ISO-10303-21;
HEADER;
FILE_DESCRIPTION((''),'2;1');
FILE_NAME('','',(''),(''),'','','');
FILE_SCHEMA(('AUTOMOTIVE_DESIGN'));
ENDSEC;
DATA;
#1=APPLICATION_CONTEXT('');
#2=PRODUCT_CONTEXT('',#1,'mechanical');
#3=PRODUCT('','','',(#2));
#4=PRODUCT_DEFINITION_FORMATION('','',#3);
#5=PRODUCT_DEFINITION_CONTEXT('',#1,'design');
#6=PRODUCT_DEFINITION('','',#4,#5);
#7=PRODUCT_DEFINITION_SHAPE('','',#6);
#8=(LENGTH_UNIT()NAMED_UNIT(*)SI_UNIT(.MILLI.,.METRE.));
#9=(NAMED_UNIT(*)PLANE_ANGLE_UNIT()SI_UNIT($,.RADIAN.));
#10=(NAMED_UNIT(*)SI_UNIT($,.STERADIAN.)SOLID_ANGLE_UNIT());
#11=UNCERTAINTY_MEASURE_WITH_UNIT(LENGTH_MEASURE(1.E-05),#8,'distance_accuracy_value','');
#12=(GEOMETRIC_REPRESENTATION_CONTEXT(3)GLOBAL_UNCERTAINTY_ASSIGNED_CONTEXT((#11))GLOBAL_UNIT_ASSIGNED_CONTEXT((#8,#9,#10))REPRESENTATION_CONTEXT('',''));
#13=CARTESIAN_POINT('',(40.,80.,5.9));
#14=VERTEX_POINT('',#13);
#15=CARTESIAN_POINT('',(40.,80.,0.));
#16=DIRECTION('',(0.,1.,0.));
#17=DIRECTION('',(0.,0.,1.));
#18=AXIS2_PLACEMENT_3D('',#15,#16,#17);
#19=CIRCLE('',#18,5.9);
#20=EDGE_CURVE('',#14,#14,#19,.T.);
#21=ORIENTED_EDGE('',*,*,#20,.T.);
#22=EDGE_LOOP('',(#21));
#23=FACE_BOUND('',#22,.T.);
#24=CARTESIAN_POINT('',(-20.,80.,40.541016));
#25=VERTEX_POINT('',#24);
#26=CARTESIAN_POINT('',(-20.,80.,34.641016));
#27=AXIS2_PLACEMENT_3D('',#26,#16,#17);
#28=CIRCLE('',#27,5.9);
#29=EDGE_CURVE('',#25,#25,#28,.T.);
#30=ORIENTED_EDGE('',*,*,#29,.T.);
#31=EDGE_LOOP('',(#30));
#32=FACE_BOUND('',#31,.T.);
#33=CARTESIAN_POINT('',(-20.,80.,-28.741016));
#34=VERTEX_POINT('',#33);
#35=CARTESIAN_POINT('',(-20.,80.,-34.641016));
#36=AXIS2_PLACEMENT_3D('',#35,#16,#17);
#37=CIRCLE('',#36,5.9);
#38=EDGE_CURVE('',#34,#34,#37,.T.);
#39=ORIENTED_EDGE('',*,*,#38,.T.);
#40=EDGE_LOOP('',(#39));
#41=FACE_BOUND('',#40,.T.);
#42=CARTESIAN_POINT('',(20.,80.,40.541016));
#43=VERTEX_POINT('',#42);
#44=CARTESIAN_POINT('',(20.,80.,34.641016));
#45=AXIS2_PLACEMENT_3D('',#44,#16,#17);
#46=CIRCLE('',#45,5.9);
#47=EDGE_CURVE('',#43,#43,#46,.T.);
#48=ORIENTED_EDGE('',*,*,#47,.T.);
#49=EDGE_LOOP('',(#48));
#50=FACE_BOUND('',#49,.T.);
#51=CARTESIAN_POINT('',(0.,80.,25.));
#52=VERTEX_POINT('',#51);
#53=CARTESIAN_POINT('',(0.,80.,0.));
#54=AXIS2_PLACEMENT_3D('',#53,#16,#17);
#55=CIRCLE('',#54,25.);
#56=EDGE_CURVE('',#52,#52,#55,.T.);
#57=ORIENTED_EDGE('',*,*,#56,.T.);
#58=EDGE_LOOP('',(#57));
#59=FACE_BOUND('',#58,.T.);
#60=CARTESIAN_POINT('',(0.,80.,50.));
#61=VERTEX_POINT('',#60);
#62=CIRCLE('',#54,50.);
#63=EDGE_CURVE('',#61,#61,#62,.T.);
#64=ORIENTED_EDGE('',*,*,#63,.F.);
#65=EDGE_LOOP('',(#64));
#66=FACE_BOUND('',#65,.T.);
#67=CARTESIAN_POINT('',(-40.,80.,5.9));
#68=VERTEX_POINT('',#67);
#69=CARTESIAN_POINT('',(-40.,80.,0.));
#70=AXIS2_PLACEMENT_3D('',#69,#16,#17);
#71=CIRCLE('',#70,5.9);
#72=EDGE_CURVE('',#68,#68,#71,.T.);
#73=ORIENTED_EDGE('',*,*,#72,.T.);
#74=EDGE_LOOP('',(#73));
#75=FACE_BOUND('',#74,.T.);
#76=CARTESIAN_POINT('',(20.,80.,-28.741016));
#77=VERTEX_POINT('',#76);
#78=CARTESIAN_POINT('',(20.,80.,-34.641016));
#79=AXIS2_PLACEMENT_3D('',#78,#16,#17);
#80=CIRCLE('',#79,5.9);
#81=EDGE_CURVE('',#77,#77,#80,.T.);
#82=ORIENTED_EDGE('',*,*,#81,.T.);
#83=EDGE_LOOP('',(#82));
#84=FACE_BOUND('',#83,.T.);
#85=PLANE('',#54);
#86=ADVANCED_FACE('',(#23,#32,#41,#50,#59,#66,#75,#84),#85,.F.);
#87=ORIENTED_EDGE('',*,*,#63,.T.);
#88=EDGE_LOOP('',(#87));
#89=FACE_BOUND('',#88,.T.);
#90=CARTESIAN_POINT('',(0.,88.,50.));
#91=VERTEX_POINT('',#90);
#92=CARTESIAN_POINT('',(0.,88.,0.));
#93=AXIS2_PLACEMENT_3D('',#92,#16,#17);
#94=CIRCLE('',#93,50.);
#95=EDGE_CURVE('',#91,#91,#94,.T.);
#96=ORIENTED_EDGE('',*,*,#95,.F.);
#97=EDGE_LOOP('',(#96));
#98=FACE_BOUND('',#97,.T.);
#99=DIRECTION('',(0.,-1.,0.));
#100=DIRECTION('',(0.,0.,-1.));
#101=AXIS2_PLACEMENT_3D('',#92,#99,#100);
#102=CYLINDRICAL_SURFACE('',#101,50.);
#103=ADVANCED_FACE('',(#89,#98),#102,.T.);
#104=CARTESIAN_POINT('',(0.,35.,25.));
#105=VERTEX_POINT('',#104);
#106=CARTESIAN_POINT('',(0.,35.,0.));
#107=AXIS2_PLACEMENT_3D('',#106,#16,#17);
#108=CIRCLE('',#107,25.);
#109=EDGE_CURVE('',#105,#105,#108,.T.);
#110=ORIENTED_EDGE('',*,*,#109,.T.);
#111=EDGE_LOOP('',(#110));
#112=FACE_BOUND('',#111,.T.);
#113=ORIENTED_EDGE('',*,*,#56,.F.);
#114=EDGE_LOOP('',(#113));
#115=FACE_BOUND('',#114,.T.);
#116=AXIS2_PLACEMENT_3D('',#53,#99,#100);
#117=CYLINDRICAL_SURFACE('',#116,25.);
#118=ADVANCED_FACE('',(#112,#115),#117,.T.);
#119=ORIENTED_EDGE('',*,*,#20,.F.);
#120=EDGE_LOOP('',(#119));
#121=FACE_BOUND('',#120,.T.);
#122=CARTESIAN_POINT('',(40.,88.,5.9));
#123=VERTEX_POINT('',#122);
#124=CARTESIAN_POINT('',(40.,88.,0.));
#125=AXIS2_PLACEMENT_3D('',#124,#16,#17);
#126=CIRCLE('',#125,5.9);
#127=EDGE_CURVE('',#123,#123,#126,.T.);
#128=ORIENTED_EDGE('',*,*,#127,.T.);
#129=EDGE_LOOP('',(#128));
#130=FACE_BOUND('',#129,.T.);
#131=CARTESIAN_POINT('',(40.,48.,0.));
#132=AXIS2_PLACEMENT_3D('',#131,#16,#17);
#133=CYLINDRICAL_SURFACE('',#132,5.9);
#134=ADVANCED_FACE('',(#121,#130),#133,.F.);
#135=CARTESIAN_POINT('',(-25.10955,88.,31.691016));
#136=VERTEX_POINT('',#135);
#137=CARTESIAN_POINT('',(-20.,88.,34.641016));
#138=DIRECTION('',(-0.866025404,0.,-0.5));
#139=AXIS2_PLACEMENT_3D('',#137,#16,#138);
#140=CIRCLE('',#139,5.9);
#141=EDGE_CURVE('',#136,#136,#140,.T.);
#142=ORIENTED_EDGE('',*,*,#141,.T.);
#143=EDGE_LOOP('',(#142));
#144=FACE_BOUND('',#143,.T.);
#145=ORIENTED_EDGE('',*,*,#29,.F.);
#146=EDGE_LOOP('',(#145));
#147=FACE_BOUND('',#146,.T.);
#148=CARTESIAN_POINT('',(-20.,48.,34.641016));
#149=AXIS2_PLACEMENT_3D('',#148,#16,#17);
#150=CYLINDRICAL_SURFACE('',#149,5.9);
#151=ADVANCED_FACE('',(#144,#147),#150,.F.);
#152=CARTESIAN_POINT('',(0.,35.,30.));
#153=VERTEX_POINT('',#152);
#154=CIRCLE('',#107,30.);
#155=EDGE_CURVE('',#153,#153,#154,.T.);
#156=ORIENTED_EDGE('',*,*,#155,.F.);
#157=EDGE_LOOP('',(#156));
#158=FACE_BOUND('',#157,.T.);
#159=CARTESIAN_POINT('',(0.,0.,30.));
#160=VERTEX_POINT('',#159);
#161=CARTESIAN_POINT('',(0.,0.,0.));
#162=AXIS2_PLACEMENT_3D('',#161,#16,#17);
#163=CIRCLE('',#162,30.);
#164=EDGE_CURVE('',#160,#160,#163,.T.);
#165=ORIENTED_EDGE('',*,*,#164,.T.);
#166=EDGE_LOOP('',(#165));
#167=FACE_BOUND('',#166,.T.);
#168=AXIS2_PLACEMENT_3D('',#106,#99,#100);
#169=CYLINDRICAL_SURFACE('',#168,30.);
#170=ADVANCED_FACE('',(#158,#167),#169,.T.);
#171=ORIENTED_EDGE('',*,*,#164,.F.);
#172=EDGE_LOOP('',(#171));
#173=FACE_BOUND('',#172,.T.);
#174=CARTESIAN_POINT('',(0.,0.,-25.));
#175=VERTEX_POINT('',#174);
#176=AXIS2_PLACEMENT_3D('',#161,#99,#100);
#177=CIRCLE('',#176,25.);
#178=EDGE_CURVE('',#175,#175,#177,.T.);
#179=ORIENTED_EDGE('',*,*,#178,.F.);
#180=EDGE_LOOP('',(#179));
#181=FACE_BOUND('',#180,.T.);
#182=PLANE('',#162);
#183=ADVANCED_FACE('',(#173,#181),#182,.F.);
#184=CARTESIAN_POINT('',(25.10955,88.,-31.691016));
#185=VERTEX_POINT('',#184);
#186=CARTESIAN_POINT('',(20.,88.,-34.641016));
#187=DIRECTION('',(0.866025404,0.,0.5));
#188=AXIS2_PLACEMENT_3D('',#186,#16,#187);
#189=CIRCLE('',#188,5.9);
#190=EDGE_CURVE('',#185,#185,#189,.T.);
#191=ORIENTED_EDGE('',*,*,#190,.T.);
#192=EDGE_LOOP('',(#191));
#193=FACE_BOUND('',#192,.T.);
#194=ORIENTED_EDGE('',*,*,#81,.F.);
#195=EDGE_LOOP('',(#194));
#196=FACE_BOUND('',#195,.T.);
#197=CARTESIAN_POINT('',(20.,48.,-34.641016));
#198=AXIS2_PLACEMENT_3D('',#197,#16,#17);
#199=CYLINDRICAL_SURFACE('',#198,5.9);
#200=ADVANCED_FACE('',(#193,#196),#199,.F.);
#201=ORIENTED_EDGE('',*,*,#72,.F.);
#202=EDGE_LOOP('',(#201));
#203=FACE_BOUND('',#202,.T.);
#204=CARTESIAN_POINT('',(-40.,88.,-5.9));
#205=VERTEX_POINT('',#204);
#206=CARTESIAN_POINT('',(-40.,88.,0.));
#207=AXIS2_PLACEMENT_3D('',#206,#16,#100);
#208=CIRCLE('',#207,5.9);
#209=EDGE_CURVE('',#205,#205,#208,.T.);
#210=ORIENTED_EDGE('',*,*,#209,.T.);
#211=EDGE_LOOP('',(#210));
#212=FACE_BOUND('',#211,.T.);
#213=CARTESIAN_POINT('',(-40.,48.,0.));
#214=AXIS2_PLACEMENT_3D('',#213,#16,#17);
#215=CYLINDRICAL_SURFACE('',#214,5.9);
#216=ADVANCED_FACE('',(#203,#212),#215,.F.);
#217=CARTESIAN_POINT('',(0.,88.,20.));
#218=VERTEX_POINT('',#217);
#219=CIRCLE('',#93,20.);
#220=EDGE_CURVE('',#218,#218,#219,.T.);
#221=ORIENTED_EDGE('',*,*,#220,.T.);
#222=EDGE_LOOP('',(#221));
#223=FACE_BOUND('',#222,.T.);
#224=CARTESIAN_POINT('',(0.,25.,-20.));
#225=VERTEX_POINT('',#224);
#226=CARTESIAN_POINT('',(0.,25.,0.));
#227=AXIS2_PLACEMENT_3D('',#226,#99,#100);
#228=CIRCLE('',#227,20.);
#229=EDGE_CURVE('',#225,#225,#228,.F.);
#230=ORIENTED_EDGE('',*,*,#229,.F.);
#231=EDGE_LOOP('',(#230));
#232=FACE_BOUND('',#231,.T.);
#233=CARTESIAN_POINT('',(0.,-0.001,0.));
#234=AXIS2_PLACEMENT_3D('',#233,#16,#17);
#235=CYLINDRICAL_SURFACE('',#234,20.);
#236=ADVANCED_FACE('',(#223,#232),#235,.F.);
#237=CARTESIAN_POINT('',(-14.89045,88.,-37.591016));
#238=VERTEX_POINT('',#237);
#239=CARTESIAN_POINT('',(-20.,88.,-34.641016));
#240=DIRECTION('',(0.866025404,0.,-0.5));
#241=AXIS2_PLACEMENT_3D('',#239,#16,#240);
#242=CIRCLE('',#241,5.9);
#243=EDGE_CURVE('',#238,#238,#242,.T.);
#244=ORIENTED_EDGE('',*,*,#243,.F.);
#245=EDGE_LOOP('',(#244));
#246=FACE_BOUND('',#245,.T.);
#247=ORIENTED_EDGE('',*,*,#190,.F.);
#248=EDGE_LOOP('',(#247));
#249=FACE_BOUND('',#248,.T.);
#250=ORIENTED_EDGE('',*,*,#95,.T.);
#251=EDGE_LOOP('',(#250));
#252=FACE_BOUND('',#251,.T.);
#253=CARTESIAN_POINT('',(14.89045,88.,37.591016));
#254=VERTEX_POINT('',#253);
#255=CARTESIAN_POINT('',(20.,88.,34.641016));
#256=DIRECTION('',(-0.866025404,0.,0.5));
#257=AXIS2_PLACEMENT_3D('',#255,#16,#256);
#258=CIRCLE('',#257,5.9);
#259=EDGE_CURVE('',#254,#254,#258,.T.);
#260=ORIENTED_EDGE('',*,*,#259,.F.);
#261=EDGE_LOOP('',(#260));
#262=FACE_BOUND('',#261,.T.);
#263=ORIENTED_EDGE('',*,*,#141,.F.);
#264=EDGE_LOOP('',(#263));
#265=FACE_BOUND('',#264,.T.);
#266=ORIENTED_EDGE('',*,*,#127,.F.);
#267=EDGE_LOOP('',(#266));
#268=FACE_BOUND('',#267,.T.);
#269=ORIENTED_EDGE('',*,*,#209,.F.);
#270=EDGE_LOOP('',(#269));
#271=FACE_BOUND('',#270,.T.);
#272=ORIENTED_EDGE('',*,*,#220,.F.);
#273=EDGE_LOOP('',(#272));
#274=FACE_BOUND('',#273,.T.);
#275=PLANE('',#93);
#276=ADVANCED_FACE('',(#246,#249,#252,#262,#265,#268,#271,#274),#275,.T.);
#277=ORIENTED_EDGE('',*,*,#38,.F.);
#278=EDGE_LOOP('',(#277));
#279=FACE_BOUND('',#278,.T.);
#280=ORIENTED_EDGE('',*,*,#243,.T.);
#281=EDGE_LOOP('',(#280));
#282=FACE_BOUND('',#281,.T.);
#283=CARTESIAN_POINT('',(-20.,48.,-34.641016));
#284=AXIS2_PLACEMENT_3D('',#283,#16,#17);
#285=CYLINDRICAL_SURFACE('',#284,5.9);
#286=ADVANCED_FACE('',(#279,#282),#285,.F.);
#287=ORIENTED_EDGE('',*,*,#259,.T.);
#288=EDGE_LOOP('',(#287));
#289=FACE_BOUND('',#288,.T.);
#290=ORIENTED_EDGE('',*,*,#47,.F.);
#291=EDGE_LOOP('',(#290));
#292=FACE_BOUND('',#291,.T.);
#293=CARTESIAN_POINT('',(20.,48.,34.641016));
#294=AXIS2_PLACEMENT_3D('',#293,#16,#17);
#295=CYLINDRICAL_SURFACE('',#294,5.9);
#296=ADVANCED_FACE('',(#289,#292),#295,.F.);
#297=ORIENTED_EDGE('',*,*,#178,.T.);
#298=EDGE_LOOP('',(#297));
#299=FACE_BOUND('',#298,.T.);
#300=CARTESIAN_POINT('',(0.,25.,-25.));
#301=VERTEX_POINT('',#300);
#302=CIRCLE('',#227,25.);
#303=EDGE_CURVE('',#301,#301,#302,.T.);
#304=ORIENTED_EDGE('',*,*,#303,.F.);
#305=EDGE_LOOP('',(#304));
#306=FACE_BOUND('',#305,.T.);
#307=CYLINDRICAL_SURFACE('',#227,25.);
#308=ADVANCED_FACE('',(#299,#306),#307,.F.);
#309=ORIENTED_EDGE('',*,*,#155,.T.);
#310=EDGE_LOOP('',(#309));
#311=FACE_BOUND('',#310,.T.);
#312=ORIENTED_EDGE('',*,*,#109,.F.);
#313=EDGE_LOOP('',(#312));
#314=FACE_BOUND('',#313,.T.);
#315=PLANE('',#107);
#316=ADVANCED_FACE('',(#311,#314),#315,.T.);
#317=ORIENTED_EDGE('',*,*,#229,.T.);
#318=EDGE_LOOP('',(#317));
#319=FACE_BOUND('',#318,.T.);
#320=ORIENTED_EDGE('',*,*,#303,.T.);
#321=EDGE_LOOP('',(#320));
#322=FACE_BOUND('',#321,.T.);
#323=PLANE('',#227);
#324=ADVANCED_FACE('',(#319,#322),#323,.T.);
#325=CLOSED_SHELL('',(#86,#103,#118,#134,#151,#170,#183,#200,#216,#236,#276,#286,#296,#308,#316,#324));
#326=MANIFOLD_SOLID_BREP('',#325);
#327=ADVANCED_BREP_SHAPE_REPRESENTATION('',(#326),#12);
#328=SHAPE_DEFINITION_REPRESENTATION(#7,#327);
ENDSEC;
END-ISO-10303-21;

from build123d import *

# Parameters (mm, degrees)
SKETCH2_R           = 30
BOSS_EXTRUDE1_DEPTH = 35
SKETCH3_R           = 25
BOSS_EXTRUDE2_DEPTH = 45
SKETCH4_R           = 50
BOSS_EXTRUDE3_DEPTH = 8
SKETCH5_R           = 25
CUT_EXTRUDE1_DEPTH  = 25
CUT_EXTRUDE2_REACH  = 90
SKETCH6_R           = 20
SKETCH7_R           = 5.9
CUT_EXTRUDE3_DEPTH  = 40
CIRPATTERN1_COUNT   = 6


with BuildPart() as part:
    # Sketch2 → Boss-Extrude1 (new body)
    with BuildSketch(Plane(origin=(0, 0, 0), x_dir=(1, 0, 0), z_dir=(0, 1, 0))):
        Circle(SKETCH2_R)
    extrude(amount=BOSS_EXTRUDE1_DEPTH)

    # Sketch3 → Boss-Extrude2 (add)
    with BuildSketch(Plane(origin=(0, 35, 0), x_dir=(1, 0, 0), z_dir=(0, 1, 0))):
        Circle(SKETCH3_R)
    extrude(amount=BOSS_EXTRUDE2_DEPTH)

    # Sketch4 → Boss-Extrude3 (add)
    with BuildSketch(Plane(origin=(0, 80, 0), x_dir=(1, 0, 0), z_dir=(0, 1, 0))):
        Circle(SKETCH4_R)
    extrude(amount=BOSS_EXTRUDE3_DEPTH)

    # Sketch5 → Cut-Extrude1 (cut)
    with BuildSketch(Plane.XZ):
        Circle(SKETCH5_R)
    extrude(amount=-CUT_EXTRUDE1_DEPTH, mode=Mode.SUBTRACT)

    # Sketch6 → Cut-Extrude2 (cut, up to next)
    with BuildSketch(Plane(origin=(0, 88, 0), x_dir=(1, 0, 0), z_dir=(0, 1, 0)), mode=Mode.PRIVATE) as cut_extrude2_sk1:
        Circle(SKETCH6_R)
    cut_extrude2_tool1 = extrude(cut_extrude2_sk1.sketch, amount=-CUT_EXTRUDE2_REACH, mode=Mode.PRIVATE) & part.part
    add(cut_extrude2_tool1.solids().sort_by_distance((0, 88, 0))[0], mode=Mode.SUBTRACT)

    # Sketch7 → Cut-Extrude3 (cut)
    with BuildSketch(Plane(origin=(0, 88, 0), x_dir=(1, 0, 0), z_dir=(0, 1, 0))):
        with Locations((40, 0)):
            Circle(SKETCH7_R)
    cut_extrude3 = extrude(amount=-CUT_EXTRUDE3_DEPTH, mode=Mode.SUBTRACT)

    # CirPattern1: Cut-Extrude3 ×6 about axis
    cirpattern1_axis = Axis((0, 0, 0), (0, 1, 0))
    for i in range(1, CIRPATTERN1_COUNT):
        add(cut_extrude3.rotate(cirpattern1_axis, i * 360 / CIRPATTERN1_COUNT), mode=Mode.SUBTRACT)


solid = part.part
